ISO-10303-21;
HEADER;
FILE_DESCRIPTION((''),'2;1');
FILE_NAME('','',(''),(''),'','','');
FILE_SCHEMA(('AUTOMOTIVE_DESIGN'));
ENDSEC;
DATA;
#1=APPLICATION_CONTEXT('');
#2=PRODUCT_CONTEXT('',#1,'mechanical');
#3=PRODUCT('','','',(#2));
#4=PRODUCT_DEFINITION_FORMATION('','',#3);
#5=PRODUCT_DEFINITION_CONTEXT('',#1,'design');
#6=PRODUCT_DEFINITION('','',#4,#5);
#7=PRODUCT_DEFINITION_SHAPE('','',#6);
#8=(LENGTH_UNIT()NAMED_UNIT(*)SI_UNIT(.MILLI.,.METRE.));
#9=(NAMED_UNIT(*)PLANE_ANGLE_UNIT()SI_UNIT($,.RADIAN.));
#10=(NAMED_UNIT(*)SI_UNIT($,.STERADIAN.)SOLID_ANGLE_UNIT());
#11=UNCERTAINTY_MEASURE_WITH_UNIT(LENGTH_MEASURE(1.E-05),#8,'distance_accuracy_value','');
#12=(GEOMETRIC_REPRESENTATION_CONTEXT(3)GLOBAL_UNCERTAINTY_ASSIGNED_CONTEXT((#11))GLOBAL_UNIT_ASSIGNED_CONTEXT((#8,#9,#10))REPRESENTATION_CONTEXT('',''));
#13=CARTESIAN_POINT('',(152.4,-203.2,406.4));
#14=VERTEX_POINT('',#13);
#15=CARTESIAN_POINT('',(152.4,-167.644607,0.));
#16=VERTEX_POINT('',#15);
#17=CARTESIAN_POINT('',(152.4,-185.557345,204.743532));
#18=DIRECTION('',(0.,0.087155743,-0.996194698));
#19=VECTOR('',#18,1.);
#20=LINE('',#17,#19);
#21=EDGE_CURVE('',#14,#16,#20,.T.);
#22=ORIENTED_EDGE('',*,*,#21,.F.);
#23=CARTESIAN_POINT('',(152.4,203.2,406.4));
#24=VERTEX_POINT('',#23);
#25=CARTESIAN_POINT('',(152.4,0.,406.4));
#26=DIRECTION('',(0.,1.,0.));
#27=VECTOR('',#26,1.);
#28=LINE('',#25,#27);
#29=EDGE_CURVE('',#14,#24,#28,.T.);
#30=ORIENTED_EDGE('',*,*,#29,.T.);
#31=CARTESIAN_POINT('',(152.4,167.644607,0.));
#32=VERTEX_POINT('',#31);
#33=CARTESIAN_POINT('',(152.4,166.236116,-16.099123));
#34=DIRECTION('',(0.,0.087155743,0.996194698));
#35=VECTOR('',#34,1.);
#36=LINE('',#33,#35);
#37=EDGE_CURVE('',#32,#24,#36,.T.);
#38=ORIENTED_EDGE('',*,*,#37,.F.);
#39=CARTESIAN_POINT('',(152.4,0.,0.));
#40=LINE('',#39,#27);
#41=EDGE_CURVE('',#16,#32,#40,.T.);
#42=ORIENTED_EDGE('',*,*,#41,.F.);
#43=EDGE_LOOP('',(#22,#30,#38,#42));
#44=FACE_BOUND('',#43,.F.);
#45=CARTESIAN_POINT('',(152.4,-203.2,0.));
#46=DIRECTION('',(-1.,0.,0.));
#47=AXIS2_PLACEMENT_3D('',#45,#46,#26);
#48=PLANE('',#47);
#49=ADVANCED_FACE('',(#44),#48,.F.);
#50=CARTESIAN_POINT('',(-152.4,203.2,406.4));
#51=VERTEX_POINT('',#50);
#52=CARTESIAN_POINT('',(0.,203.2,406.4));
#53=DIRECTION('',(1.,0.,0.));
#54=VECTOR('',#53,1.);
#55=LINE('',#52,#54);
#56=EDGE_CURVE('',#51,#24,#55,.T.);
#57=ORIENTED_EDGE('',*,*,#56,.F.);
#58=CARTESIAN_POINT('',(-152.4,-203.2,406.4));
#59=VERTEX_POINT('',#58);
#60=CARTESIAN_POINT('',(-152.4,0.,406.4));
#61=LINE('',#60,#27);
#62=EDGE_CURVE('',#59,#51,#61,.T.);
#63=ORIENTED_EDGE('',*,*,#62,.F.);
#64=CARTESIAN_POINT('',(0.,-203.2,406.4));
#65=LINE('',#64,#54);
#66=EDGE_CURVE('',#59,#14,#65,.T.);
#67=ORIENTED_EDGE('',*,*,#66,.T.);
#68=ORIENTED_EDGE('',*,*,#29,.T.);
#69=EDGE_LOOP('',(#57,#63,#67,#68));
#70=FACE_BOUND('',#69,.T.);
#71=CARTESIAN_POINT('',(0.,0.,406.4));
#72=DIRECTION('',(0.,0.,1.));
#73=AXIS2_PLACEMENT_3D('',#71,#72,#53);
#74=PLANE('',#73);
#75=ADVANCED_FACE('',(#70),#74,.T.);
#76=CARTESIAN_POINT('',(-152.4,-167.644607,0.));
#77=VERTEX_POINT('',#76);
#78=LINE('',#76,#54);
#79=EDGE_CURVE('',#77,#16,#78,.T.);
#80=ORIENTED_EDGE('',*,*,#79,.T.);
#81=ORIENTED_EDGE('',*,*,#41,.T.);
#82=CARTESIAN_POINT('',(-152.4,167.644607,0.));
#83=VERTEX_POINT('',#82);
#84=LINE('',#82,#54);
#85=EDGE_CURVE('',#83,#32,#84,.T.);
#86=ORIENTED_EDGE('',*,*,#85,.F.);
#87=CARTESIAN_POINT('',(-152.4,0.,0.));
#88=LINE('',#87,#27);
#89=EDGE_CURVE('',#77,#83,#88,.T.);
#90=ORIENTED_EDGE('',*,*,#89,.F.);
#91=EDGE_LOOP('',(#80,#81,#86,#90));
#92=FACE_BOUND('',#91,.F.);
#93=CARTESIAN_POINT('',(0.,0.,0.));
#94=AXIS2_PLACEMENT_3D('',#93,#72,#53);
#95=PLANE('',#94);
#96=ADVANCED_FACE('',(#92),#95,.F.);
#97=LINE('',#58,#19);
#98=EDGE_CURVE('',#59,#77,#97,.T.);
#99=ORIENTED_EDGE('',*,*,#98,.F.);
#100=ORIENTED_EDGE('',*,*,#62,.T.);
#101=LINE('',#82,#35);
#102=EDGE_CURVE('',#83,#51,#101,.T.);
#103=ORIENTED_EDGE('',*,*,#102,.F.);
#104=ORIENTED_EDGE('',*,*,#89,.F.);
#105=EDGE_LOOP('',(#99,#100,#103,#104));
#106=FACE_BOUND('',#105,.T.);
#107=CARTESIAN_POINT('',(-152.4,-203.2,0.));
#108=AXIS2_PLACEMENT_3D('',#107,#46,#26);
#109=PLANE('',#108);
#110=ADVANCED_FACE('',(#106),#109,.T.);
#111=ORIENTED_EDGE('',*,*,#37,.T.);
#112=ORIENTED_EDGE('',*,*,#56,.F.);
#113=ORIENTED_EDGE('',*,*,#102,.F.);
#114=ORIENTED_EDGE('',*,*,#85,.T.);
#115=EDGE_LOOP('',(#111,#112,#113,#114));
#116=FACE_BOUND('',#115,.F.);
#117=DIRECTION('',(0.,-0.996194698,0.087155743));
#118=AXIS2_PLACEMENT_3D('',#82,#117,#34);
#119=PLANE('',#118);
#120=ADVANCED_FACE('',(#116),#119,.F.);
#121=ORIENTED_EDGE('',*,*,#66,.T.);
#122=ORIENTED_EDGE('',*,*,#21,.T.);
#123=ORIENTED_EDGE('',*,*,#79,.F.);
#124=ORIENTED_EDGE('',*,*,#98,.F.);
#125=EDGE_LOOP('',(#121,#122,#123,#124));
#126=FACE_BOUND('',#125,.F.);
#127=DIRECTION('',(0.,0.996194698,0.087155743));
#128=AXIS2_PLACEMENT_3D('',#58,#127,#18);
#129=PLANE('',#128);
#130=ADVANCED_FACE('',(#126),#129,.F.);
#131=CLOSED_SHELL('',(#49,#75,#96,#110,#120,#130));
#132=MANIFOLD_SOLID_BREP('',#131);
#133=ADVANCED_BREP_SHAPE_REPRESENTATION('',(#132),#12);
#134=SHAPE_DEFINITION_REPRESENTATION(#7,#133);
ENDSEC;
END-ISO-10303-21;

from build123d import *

# Parameters (mm, degrees)
F0_W     = 304.8
F0_H     = 406.4
F1_DEPTH = 406.4
F3_DEPTH = 609.6
F4_DEPTH = 609.6


with BuildPart() as f1:
    # F0 (on Top) → F1 (new body)
    with BuildSketch(Plane.XY):
        Rectangle(F0_W, F0_H)
    extrude(amount=F1_DEPTH)

    # F2 (on face) → F3 (cut)
    with BuildSketch(Plane(origin=(-152.4, 0, 0), x_dir=(0, -1, 0), z_dir=(-1, 0, 0))):
        Polygon((-167.644607, 0), (-203.2, 406.4), (-203.2, 0), align=None)
    extrude(amount=-F3_DEPTH, mode=Mode.SUBTRACT)

    # F2 (on face) → F4 (cut)
    with BuildSketch(Plane(origin=(-152.4, 0, 0), x_dir=(0, -1, 0), z_dir=(-1, 0, 0))):
        Polygon((203.2, 0), (203.2, 406.4), (167.644607, 0), align=None)
    extrude(amount=-F4_DEPTH, mode=Mode.SUBTRACT)


solid = f1.part
